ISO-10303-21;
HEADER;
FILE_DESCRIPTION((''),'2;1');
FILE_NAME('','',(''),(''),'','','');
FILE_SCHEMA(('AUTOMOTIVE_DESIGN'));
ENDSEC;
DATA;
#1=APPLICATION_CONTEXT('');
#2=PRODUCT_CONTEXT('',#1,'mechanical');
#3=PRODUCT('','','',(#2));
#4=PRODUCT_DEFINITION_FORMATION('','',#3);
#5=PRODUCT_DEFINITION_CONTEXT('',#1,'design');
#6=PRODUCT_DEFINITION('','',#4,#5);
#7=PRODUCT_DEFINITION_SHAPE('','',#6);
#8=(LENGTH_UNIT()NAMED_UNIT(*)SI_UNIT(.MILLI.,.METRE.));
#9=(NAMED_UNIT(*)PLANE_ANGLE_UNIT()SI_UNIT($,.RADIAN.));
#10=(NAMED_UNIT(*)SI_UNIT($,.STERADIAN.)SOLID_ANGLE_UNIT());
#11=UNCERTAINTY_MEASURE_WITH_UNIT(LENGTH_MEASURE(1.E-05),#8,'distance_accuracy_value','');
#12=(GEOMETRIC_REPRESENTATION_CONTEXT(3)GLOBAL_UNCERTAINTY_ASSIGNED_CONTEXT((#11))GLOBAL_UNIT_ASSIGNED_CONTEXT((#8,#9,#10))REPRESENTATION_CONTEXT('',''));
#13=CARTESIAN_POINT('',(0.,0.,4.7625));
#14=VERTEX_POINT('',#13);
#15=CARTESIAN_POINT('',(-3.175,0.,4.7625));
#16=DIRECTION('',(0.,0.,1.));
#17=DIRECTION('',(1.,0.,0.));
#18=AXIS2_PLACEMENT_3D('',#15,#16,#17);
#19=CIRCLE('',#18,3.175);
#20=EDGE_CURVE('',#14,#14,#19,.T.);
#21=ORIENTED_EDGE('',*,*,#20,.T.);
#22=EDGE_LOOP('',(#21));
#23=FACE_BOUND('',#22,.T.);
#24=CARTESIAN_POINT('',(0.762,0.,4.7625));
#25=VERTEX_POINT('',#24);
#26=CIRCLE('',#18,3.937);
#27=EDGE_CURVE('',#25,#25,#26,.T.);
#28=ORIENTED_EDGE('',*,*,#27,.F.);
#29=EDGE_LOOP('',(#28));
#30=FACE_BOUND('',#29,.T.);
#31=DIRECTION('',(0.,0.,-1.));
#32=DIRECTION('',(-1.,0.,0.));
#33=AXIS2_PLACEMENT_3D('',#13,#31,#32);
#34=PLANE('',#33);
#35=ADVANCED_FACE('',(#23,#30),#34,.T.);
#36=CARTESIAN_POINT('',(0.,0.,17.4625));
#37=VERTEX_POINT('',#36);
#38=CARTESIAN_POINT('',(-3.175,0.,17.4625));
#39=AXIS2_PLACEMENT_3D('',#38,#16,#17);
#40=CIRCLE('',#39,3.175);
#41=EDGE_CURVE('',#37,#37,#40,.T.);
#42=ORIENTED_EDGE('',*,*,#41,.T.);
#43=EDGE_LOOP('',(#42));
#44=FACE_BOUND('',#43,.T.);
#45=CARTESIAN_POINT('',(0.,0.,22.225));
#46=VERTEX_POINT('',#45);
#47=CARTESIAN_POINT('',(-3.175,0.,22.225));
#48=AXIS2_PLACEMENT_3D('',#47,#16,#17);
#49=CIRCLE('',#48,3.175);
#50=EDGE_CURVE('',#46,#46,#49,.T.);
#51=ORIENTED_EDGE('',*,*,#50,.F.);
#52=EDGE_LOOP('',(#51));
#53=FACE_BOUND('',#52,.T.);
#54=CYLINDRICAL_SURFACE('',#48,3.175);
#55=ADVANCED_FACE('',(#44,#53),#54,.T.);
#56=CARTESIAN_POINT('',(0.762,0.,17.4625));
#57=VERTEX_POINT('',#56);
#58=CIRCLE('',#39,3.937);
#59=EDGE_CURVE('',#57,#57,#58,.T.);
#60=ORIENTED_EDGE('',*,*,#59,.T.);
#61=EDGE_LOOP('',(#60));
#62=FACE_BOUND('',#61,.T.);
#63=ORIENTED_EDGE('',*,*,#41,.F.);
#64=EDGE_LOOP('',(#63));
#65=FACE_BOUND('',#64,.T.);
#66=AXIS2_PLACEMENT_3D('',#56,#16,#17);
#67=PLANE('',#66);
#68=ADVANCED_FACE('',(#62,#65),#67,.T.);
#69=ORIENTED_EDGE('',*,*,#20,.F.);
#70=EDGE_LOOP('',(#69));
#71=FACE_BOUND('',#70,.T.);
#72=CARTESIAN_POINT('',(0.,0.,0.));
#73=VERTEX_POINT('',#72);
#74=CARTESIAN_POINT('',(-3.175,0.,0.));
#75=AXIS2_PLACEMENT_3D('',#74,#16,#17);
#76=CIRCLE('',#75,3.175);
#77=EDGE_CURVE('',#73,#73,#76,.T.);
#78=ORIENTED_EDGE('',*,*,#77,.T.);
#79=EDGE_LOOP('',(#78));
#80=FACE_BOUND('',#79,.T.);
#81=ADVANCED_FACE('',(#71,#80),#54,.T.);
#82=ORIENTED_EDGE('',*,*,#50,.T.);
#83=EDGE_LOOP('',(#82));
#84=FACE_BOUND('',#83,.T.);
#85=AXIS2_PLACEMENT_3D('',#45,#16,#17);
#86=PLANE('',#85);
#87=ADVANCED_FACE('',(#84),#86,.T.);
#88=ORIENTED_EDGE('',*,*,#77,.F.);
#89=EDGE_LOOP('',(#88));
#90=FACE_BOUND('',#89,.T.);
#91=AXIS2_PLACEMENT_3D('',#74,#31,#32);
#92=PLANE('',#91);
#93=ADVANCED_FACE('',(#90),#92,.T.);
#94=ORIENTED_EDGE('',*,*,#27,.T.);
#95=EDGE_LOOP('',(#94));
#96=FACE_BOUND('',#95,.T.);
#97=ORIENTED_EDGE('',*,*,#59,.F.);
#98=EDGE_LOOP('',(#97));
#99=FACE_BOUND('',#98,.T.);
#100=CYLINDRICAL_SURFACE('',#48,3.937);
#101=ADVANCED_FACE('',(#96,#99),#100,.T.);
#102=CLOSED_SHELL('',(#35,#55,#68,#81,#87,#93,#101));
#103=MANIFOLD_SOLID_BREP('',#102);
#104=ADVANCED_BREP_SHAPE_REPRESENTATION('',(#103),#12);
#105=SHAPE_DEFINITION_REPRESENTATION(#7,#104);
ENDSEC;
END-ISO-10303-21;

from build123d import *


with BuildPart() as part:
    # Sketch1 → Revolve1 (revolve)
    with BuildSketch(Plane(origin=(0, 0, 0), x_dir=(1, 0, 0), z_dir=(0, 1, 0))):
        Polygon((0, 0), (0, -4.7625), (0.762, -4.7625), (0.762, -17.4625), (0, -17.4625), (0, -22.225), (-3.175, -22.225), (-3.175, 0), align=None)
    revolve(axis=Axis((-3.175, 0, 22.225), (0, 0, -1)))


solid = part.part
